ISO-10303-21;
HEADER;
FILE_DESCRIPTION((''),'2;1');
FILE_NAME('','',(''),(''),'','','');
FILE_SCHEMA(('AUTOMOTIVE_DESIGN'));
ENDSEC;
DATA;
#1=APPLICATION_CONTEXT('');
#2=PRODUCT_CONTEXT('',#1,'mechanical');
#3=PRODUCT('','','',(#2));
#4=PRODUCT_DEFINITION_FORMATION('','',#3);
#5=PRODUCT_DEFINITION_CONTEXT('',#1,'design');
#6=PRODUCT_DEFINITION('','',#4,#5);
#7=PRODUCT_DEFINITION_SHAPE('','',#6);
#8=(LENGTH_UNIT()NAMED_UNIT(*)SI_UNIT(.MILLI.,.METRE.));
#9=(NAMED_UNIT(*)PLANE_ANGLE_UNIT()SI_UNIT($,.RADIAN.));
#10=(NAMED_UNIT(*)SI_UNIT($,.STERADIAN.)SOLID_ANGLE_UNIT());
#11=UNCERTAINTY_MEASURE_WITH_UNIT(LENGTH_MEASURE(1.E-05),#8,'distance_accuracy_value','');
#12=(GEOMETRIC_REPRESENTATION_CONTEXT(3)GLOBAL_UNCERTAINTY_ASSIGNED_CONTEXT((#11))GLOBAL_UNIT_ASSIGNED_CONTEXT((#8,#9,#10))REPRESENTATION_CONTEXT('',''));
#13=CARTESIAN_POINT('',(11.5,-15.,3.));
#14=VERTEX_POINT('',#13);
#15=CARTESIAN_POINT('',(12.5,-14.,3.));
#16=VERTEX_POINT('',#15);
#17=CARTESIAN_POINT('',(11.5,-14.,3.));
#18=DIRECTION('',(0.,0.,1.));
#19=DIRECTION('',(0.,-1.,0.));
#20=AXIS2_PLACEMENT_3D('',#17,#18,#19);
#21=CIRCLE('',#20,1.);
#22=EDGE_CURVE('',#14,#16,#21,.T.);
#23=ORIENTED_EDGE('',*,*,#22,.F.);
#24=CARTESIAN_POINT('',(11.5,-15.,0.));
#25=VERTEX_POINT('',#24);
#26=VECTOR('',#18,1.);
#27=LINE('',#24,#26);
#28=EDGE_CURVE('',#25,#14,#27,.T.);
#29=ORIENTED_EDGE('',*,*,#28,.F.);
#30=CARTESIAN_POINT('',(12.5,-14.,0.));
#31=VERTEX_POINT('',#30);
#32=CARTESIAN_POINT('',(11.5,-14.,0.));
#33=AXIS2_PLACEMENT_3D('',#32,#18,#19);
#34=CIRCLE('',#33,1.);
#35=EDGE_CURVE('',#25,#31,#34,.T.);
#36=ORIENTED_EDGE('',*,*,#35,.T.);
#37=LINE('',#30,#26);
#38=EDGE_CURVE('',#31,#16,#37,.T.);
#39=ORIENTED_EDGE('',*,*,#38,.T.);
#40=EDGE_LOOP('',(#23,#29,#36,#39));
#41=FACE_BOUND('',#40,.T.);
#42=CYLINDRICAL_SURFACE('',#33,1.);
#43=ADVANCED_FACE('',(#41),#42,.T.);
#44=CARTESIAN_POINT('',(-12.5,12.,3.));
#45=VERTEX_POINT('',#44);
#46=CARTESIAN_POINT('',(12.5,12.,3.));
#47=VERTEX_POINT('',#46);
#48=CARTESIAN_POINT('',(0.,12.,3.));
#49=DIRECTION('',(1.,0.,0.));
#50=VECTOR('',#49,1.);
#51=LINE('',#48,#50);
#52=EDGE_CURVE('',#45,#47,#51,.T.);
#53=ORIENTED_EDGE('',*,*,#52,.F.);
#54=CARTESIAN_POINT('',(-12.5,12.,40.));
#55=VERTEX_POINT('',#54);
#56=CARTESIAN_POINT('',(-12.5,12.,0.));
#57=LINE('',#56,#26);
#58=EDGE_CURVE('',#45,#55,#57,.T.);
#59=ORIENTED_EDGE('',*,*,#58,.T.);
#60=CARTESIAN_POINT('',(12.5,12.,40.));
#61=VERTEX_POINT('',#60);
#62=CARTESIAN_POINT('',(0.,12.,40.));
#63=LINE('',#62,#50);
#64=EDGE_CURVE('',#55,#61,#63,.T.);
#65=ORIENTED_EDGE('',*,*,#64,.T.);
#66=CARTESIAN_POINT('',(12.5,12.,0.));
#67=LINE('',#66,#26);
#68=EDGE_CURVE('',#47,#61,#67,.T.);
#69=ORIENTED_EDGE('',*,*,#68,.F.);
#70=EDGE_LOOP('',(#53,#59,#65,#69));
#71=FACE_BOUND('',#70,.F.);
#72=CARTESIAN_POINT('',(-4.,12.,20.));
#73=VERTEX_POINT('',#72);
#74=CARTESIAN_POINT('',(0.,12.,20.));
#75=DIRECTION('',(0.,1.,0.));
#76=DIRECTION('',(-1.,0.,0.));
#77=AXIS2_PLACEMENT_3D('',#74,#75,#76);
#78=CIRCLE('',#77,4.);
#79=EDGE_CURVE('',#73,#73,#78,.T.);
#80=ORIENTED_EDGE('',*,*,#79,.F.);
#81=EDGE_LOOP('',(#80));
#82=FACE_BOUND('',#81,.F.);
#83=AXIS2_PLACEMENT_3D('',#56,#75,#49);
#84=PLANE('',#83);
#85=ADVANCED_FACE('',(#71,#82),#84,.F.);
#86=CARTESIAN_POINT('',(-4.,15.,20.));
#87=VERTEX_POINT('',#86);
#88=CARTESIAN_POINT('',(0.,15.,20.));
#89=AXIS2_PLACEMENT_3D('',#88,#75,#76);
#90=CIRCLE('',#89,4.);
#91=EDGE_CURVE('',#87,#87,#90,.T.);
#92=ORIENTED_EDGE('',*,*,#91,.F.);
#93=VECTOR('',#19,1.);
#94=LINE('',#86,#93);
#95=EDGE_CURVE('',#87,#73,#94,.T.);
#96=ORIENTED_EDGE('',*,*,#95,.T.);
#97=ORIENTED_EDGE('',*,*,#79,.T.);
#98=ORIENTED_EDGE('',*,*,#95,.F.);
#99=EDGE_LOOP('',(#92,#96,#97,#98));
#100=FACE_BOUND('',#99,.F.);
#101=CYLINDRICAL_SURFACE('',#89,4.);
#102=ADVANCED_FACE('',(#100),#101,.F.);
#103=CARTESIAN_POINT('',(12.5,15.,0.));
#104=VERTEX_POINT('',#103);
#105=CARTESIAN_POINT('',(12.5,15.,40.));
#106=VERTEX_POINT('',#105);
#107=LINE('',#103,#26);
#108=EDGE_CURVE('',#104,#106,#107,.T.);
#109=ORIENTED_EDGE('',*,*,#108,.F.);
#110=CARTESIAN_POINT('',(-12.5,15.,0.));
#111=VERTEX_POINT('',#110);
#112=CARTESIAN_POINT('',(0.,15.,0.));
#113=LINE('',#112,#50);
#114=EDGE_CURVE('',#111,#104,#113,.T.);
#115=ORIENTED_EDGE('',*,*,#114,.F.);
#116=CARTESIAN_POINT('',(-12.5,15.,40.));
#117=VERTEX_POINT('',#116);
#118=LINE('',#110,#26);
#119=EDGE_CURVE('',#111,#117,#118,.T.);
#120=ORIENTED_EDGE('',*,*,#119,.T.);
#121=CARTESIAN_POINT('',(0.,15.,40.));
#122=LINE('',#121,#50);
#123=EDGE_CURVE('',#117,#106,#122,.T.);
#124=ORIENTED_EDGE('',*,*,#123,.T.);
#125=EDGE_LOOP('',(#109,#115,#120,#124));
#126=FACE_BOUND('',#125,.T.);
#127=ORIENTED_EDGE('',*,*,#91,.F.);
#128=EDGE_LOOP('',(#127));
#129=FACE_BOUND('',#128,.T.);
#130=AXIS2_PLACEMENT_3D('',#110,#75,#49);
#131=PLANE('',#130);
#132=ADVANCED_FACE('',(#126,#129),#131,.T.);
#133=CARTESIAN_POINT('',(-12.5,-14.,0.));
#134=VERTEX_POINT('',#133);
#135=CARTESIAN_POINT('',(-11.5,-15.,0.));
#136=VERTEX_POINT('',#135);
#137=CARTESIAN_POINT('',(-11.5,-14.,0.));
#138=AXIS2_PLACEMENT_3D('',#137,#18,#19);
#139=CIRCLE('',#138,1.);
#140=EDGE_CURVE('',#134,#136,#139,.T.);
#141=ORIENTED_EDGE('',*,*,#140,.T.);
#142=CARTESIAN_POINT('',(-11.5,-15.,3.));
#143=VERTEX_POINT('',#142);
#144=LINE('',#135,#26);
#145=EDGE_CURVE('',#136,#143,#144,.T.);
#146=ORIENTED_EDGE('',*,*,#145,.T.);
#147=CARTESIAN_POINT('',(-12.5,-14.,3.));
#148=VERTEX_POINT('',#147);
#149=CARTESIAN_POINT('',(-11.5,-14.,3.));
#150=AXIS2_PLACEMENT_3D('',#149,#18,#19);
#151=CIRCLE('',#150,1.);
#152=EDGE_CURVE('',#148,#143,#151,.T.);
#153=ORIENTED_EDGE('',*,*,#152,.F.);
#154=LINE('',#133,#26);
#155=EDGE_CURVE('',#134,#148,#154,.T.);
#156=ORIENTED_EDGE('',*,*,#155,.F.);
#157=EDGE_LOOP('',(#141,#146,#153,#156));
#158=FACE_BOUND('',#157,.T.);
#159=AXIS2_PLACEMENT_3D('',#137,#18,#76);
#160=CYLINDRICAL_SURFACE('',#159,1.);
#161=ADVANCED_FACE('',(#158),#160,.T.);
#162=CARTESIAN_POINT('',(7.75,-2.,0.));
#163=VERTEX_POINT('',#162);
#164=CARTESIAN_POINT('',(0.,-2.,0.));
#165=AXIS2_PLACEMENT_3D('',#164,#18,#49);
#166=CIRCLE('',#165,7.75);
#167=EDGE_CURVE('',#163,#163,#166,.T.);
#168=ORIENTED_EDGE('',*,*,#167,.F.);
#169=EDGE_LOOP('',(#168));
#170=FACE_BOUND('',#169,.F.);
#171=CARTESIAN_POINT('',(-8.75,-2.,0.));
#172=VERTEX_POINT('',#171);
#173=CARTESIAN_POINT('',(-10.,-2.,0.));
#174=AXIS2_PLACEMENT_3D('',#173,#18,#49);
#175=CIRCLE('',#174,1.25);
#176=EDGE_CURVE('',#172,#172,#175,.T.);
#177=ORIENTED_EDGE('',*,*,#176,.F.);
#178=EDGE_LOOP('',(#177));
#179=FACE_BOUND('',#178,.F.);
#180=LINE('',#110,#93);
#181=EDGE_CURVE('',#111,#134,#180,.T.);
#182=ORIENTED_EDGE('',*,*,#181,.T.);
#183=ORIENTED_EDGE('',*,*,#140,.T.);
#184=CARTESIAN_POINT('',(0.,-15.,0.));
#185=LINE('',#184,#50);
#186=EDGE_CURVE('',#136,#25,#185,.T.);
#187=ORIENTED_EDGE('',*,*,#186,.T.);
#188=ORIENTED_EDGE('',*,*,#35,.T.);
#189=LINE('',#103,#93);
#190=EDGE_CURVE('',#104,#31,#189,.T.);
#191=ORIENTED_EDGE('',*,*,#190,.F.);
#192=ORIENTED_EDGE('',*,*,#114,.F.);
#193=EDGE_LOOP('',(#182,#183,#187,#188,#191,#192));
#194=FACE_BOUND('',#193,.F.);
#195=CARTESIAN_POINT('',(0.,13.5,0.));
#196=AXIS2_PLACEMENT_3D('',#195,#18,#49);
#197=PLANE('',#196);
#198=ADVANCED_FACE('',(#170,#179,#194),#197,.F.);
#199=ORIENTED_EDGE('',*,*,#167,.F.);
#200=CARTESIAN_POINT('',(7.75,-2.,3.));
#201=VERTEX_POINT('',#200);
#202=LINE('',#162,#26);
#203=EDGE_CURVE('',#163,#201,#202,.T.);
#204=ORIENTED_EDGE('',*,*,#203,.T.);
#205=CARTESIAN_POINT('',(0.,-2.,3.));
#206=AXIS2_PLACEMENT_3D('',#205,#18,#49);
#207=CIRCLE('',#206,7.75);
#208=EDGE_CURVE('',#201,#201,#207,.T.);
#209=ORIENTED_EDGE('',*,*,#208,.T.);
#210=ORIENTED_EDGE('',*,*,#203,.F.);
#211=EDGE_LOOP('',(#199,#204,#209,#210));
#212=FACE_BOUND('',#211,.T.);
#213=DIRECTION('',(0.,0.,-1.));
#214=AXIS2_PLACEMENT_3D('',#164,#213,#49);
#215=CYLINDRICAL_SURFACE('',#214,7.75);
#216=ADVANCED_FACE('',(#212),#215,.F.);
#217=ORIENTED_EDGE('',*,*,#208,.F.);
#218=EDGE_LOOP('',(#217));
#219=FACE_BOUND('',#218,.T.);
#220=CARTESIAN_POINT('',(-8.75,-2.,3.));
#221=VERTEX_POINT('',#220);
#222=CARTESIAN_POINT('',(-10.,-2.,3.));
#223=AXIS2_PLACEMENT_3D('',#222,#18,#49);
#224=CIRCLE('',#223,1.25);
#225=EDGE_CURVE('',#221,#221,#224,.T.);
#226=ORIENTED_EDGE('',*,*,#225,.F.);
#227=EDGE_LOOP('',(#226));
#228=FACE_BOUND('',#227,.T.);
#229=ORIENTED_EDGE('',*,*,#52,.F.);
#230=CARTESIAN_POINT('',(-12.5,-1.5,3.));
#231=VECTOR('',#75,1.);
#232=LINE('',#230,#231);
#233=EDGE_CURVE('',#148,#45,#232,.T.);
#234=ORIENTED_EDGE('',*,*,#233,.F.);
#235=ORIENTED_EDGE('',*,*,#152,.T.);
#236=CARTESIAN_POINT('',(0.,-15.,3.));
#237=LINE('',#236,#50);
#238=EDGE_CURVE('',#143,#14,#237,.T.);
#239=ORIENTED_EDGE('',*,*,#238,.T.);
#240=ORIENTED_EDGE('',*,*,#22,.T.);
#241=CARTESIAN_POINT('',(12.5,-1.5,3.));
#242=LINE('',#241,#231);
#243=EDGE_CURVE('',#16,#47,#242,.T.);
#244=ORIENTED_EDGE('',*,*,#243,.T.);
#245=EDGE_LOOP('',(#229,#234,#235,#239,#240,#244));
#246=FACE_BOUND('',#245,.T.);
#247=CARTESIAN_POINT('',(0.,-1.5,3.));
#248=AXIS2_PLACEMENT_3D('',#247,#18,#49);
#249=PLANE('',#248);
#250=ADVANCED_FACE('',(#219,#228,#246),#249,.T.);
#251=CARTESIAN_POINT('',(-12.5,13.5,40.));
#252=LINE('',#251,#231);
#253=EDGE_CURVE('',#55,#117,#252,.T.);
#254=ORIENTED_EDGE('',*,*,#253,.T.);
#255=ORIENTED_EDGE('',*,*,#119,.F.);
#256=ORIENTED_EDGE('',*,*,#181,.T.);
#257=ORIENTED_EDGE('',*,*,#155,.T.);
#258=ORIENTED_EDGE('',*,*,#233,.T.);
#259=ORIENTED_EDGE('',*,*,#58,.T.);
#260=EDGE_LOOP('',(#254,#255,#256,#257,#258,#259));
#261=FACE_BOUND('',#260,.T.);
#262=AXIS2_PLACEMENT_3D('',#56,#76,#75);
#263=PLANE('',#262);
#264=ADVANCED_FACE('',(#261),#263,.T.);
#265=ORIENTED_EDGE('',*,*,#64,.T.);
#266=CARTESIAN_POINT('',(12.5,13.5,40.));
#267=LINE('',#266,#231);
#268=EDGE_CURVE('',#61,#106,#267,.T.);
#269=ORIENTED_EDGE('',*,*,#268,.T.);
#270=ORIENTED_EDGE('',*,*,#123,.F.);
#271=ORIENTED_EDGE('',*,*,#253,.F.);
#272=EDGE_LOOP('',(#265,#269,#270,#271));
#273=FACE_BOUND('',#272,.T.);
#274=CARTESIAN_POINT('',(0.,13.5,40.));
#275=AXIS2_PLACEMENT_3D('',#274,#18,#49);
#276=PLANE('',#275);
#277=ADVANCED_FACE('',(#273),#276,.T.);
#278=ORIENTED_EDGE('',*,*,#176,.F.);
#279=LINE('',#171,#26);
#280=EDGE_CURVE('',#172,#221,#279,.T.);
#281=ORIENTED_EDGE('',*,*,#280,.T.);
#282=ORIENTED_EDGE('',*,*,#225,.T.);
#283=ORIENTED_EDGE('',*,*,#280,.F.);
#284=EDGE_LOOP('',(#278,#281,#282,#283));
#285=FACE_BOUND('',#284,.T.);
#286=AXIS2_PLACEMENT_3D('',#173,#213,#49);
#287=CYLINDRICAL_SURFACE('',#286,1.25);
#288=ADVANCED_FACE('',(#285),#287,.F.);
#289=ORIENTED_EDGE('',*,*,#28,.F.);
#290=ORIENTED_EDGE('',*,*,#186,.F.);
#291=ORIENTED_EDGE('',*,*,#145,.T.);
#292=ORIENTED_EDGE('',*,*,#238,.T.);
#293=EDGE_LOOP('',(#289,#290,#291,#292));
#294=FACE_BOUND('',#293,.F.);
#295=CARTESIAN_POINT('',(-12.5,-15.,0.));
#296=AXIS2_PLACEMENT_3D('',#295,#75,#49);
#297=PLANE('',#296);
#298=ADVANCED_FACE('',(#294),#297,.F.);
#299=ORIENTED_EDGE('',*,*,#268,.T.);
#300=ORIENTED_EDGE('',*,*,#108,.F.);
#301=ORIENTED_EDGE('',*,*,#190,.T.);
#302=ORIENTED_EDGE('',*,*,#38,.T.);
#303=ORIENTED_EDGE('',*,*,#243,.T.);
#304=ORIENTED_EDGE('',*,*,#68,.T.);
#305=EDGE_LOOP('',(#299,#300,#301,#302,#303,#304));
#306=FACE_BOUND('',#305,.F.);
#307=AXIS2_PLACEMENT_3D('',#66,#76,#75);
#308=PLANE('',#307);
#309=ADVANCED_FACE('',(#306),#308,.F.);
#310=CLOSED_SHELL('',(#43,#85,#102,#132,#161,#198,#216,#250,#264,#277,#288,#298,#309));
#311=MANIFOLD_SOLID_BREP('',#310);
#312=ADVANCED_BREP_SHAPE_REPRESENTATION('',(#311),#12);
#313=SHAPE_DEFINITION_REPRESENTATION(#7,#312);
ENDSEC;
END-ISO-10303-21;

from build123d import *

# Parameters (mm, degrees)
F0_W     = 25
F0_H     = 27
F0_R     = 1.25
F0_R_2   = 7.75
F1_DEPTH = 3
F0_H_2   = 3
F2_DEPTH = 40
F3_R     = 4
F4_DEPTH = 25
F5_R     = 1


with BuildPart() as f1:
    # F0 (on Top) → F1 (new body)
    with BuildSketch(Plane.XY):
        with Locations((0, -1.5)):
            Rectangle(F0_W, F0_H)
        with Locations((-10, -2)):
            Circle(F0_R, mode=Mode.SUBTRACT)
        with Locations((0, -2)):
            Circle(F0_R_2, mode=Mode.SUBTRACT)
    extrude(amount=F1_DEPTH)

    # F0 (on Top) → F2 (join)
    with BuildSketch(Plane.XY):
        with Locations((0, 13.5)):
            Rectangle(F0_W, F0_H_2)
    extrude(amount=F2_DEPTH)

    # F3 (on face) → F4 (cut)
    with BuildSketch(Plane(origin=(0, 15, 0), x_dir=(-1, 0, 0), z_dir=(0, 1, 0))):
        with Locations((0, 20)):
            Circle(F3_R)
    extrude(amount=-F4_DEPTH, mode=Mode.SUBTRACT)

    # F5
    f5_edges = [f1.edges().sort_by_distance(p)[0] for p in [
        (12.5, -15, 1.5),
        (-12.5, -15, 1.5),
    ]]
    fillet(f5_edges, radius=F5_R)


solid = f1.part
